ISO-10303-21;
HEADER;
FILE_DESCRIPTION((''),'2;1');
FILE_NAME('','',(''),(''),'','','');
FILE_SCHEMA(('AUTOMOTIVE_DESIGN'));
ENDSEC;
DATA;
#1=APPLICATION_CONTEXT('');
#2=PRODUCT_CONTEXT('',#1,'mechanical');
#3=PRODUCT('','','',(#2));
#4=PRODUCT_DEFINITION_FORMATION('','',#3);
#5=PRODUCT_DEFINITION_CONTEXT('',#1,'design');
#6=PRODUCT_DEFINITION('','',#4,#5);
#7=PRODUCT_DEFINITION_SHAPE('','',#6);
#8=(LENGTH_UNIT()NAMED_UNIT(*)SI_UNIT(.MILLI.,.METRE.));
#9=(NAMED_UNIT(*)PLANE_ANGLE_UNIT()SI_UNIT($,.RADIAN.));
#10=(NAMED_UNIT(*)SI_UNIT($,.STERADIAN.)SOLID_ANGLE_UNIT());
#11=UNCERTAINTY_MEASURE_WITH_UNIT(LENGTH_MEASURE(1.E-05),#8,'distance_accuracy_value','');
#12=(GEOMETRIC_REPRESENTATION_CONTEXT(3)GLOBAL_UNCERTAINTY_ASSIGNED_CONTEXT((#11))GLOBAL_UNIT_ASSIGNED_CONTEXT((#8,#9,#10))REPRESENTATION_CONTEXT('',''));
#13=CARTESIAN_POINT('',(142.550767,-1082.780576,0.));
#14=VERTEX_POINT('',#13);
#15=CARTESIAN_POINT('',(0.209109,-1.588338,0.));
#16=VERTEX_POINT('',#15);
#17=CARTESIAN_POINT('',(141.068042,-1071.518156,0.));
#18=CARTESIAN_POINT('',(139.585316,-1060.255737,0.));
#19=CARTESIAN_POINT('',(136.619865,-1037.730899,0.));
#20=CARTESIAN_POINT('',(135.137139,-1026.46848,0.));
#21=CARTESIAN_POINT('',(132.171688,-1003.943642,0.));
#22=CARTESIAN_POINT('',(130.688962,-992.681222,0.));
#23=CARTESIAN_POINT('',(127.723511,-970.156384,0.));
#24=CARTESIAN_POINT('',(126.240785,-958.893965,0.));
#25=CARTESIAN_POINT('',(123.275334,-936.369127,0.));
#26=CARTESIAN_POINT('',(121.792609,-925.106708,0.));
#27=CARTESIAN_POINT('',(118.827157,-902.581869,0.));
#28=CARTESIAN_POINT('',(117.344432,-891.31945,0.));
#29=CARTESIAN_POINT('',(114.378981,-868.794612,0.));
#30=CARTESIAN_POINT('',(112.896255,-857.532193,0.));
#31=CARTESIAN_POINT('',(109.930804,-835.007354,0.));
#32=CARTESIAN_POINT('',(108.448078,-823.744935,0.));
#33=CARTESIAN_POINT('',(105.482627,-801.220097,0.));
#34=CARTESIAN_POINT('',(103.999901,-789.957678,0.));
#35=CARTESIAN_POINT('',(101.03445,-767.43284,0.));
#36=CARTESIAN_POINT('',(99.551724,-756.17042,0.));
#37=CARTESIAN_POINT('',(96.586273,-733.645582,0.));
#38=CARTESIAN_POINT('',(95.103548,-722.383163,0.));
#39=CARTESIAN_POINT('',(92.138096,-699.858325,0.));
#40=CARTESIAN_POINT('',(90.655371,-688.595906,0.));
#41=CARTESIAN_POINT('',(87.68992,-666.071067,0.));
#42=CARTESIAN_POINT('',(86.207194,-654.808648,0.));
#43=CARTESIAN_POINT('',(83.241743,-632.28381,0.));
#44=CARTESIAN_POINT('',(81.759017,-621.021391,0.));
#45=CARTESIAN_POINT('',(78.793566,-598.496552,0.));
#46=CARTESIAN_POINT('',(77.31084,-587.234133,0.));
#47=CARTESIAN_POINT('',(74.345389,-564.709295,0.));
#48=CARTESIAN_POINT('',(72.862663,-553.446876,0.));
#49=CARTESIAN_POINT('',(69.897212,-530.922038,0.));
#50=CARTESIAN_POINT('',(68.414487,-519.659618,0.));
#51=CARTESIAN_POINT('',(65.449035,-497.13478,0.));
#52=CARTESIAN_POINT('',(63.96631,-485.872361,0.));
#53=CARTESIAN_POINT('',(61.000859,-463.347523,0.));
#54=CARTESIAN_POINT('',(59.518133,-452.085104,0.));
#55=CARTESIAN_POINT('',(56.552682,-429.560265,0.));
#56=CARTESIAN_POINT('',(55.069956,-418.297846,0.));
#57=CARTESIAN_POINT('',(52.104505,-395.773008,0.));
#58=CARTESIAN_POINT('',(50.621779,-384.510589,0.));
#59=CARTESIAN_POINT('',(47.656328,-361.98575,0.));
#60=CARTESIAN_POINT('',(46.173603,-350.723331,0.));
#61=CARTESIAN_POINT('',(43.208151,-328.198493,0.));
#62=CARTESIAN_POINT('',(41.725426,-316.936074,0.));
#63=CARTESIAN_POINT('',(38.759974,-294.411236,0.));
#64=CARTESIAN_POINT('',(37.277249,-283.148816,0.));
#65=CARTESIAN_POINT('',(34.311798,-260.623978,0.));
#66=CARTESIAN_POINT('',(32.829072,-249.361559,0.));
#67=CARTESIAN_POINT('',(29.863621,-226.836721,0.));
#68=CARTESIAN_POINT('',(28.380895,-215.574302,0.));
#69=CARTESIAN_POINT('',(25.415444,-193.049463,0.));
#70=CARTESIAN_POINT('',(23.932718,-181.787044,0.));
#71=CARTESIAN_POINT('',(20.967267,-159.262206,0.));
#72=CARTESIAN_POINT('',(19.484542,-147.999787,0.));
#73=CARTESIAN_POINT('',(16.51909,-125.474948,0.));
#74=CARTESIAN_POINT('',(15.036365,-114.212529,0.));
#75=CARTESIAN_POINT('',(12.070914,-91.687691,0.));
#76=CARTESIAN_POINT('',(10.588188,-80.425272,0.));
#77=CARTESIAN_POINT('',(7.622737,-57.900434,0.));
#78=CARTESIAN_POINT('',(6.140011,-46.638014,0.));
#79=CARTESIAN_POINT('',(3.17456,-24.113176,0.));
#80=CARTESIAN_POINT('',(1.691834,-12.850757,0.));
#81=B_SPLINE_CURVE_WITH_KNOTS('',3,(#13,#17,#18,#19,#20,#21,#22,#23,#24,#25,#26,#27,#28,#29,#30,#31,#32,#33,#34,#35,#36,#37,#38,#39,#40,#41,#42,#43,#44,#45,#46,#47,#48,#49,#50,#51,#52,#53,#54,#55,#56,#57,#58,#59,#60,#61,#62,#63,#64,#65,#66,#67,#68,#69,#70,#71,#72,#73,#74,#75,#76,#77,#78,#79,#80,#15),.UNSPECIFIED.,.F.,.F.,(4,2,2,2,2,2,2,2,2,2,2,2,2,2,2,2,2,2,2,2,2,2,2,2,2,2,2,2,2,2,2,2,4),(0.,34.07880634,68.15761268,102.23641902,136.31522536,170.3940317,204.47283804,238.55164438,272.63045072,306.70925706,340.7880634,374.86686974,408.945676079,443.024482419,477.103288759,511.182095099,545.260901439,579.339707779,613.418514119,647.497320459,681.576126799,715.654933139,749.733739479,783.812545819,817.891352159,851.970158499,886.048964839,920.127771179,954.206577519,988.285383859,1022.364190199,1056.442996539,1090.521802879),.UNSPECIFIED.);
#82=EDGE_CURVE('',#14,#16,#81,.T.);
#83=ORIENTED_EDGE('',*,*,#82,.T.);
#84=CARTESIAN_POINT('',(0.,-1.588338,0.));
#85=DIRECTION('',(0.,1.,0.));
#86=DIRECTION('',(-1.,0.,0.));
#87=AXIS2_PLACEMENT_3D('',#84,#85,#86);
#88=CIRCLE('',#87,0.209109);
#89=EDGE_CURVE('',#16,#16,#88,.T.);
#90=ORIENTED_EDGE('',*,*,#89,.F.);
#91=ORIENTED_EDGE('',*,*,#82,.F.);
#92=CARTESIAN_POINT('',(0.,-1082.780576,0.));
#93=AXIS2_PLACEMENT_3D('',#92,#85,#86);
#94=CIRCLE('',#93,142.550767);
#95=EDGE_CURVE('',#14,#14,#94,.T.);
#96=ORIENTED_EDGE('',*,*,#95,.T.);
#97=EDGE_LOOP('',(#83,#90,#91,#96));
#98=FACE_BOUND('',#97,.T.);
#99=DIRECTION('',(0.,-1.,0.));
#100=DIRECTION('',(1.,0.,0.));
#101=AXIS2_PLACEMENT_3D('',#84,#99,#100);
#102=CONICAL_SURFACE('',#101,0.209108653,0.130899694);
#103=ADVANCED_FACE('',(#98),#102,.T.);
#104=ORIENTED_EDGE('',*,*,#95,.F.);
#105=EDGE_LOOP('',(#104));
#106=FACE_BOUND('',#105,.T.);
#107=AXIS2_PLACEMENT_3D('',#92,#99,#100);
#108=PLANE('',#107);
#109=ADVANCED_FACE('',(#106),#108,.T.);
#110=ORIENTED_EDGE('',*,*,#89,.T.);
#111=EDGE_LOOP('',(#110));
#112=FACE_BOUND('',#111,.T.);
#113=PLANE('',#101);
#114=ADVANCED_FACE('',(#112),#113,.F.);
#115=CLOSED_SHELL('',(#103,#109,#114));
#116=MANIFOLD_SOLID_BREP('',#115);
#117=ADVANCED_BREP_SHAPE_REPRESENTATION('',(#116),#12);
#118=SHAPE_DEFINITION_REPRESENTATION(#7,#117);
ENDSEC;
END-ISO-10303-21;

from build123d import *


with BuildPart() as part:
    # 草图1 one side → 旋转3 (revolve)
    with BuildSketch(Plane.XY):
        Polygon((142.550767116, -1082.780575595), (0.209108653, -1.588337915), (0, -1.588337915), (0, -1082.780575595), align=None)
    revolve(axis=Axis((0, -1.588337915, 0), (0, -1, 0)))


solid = part.part
